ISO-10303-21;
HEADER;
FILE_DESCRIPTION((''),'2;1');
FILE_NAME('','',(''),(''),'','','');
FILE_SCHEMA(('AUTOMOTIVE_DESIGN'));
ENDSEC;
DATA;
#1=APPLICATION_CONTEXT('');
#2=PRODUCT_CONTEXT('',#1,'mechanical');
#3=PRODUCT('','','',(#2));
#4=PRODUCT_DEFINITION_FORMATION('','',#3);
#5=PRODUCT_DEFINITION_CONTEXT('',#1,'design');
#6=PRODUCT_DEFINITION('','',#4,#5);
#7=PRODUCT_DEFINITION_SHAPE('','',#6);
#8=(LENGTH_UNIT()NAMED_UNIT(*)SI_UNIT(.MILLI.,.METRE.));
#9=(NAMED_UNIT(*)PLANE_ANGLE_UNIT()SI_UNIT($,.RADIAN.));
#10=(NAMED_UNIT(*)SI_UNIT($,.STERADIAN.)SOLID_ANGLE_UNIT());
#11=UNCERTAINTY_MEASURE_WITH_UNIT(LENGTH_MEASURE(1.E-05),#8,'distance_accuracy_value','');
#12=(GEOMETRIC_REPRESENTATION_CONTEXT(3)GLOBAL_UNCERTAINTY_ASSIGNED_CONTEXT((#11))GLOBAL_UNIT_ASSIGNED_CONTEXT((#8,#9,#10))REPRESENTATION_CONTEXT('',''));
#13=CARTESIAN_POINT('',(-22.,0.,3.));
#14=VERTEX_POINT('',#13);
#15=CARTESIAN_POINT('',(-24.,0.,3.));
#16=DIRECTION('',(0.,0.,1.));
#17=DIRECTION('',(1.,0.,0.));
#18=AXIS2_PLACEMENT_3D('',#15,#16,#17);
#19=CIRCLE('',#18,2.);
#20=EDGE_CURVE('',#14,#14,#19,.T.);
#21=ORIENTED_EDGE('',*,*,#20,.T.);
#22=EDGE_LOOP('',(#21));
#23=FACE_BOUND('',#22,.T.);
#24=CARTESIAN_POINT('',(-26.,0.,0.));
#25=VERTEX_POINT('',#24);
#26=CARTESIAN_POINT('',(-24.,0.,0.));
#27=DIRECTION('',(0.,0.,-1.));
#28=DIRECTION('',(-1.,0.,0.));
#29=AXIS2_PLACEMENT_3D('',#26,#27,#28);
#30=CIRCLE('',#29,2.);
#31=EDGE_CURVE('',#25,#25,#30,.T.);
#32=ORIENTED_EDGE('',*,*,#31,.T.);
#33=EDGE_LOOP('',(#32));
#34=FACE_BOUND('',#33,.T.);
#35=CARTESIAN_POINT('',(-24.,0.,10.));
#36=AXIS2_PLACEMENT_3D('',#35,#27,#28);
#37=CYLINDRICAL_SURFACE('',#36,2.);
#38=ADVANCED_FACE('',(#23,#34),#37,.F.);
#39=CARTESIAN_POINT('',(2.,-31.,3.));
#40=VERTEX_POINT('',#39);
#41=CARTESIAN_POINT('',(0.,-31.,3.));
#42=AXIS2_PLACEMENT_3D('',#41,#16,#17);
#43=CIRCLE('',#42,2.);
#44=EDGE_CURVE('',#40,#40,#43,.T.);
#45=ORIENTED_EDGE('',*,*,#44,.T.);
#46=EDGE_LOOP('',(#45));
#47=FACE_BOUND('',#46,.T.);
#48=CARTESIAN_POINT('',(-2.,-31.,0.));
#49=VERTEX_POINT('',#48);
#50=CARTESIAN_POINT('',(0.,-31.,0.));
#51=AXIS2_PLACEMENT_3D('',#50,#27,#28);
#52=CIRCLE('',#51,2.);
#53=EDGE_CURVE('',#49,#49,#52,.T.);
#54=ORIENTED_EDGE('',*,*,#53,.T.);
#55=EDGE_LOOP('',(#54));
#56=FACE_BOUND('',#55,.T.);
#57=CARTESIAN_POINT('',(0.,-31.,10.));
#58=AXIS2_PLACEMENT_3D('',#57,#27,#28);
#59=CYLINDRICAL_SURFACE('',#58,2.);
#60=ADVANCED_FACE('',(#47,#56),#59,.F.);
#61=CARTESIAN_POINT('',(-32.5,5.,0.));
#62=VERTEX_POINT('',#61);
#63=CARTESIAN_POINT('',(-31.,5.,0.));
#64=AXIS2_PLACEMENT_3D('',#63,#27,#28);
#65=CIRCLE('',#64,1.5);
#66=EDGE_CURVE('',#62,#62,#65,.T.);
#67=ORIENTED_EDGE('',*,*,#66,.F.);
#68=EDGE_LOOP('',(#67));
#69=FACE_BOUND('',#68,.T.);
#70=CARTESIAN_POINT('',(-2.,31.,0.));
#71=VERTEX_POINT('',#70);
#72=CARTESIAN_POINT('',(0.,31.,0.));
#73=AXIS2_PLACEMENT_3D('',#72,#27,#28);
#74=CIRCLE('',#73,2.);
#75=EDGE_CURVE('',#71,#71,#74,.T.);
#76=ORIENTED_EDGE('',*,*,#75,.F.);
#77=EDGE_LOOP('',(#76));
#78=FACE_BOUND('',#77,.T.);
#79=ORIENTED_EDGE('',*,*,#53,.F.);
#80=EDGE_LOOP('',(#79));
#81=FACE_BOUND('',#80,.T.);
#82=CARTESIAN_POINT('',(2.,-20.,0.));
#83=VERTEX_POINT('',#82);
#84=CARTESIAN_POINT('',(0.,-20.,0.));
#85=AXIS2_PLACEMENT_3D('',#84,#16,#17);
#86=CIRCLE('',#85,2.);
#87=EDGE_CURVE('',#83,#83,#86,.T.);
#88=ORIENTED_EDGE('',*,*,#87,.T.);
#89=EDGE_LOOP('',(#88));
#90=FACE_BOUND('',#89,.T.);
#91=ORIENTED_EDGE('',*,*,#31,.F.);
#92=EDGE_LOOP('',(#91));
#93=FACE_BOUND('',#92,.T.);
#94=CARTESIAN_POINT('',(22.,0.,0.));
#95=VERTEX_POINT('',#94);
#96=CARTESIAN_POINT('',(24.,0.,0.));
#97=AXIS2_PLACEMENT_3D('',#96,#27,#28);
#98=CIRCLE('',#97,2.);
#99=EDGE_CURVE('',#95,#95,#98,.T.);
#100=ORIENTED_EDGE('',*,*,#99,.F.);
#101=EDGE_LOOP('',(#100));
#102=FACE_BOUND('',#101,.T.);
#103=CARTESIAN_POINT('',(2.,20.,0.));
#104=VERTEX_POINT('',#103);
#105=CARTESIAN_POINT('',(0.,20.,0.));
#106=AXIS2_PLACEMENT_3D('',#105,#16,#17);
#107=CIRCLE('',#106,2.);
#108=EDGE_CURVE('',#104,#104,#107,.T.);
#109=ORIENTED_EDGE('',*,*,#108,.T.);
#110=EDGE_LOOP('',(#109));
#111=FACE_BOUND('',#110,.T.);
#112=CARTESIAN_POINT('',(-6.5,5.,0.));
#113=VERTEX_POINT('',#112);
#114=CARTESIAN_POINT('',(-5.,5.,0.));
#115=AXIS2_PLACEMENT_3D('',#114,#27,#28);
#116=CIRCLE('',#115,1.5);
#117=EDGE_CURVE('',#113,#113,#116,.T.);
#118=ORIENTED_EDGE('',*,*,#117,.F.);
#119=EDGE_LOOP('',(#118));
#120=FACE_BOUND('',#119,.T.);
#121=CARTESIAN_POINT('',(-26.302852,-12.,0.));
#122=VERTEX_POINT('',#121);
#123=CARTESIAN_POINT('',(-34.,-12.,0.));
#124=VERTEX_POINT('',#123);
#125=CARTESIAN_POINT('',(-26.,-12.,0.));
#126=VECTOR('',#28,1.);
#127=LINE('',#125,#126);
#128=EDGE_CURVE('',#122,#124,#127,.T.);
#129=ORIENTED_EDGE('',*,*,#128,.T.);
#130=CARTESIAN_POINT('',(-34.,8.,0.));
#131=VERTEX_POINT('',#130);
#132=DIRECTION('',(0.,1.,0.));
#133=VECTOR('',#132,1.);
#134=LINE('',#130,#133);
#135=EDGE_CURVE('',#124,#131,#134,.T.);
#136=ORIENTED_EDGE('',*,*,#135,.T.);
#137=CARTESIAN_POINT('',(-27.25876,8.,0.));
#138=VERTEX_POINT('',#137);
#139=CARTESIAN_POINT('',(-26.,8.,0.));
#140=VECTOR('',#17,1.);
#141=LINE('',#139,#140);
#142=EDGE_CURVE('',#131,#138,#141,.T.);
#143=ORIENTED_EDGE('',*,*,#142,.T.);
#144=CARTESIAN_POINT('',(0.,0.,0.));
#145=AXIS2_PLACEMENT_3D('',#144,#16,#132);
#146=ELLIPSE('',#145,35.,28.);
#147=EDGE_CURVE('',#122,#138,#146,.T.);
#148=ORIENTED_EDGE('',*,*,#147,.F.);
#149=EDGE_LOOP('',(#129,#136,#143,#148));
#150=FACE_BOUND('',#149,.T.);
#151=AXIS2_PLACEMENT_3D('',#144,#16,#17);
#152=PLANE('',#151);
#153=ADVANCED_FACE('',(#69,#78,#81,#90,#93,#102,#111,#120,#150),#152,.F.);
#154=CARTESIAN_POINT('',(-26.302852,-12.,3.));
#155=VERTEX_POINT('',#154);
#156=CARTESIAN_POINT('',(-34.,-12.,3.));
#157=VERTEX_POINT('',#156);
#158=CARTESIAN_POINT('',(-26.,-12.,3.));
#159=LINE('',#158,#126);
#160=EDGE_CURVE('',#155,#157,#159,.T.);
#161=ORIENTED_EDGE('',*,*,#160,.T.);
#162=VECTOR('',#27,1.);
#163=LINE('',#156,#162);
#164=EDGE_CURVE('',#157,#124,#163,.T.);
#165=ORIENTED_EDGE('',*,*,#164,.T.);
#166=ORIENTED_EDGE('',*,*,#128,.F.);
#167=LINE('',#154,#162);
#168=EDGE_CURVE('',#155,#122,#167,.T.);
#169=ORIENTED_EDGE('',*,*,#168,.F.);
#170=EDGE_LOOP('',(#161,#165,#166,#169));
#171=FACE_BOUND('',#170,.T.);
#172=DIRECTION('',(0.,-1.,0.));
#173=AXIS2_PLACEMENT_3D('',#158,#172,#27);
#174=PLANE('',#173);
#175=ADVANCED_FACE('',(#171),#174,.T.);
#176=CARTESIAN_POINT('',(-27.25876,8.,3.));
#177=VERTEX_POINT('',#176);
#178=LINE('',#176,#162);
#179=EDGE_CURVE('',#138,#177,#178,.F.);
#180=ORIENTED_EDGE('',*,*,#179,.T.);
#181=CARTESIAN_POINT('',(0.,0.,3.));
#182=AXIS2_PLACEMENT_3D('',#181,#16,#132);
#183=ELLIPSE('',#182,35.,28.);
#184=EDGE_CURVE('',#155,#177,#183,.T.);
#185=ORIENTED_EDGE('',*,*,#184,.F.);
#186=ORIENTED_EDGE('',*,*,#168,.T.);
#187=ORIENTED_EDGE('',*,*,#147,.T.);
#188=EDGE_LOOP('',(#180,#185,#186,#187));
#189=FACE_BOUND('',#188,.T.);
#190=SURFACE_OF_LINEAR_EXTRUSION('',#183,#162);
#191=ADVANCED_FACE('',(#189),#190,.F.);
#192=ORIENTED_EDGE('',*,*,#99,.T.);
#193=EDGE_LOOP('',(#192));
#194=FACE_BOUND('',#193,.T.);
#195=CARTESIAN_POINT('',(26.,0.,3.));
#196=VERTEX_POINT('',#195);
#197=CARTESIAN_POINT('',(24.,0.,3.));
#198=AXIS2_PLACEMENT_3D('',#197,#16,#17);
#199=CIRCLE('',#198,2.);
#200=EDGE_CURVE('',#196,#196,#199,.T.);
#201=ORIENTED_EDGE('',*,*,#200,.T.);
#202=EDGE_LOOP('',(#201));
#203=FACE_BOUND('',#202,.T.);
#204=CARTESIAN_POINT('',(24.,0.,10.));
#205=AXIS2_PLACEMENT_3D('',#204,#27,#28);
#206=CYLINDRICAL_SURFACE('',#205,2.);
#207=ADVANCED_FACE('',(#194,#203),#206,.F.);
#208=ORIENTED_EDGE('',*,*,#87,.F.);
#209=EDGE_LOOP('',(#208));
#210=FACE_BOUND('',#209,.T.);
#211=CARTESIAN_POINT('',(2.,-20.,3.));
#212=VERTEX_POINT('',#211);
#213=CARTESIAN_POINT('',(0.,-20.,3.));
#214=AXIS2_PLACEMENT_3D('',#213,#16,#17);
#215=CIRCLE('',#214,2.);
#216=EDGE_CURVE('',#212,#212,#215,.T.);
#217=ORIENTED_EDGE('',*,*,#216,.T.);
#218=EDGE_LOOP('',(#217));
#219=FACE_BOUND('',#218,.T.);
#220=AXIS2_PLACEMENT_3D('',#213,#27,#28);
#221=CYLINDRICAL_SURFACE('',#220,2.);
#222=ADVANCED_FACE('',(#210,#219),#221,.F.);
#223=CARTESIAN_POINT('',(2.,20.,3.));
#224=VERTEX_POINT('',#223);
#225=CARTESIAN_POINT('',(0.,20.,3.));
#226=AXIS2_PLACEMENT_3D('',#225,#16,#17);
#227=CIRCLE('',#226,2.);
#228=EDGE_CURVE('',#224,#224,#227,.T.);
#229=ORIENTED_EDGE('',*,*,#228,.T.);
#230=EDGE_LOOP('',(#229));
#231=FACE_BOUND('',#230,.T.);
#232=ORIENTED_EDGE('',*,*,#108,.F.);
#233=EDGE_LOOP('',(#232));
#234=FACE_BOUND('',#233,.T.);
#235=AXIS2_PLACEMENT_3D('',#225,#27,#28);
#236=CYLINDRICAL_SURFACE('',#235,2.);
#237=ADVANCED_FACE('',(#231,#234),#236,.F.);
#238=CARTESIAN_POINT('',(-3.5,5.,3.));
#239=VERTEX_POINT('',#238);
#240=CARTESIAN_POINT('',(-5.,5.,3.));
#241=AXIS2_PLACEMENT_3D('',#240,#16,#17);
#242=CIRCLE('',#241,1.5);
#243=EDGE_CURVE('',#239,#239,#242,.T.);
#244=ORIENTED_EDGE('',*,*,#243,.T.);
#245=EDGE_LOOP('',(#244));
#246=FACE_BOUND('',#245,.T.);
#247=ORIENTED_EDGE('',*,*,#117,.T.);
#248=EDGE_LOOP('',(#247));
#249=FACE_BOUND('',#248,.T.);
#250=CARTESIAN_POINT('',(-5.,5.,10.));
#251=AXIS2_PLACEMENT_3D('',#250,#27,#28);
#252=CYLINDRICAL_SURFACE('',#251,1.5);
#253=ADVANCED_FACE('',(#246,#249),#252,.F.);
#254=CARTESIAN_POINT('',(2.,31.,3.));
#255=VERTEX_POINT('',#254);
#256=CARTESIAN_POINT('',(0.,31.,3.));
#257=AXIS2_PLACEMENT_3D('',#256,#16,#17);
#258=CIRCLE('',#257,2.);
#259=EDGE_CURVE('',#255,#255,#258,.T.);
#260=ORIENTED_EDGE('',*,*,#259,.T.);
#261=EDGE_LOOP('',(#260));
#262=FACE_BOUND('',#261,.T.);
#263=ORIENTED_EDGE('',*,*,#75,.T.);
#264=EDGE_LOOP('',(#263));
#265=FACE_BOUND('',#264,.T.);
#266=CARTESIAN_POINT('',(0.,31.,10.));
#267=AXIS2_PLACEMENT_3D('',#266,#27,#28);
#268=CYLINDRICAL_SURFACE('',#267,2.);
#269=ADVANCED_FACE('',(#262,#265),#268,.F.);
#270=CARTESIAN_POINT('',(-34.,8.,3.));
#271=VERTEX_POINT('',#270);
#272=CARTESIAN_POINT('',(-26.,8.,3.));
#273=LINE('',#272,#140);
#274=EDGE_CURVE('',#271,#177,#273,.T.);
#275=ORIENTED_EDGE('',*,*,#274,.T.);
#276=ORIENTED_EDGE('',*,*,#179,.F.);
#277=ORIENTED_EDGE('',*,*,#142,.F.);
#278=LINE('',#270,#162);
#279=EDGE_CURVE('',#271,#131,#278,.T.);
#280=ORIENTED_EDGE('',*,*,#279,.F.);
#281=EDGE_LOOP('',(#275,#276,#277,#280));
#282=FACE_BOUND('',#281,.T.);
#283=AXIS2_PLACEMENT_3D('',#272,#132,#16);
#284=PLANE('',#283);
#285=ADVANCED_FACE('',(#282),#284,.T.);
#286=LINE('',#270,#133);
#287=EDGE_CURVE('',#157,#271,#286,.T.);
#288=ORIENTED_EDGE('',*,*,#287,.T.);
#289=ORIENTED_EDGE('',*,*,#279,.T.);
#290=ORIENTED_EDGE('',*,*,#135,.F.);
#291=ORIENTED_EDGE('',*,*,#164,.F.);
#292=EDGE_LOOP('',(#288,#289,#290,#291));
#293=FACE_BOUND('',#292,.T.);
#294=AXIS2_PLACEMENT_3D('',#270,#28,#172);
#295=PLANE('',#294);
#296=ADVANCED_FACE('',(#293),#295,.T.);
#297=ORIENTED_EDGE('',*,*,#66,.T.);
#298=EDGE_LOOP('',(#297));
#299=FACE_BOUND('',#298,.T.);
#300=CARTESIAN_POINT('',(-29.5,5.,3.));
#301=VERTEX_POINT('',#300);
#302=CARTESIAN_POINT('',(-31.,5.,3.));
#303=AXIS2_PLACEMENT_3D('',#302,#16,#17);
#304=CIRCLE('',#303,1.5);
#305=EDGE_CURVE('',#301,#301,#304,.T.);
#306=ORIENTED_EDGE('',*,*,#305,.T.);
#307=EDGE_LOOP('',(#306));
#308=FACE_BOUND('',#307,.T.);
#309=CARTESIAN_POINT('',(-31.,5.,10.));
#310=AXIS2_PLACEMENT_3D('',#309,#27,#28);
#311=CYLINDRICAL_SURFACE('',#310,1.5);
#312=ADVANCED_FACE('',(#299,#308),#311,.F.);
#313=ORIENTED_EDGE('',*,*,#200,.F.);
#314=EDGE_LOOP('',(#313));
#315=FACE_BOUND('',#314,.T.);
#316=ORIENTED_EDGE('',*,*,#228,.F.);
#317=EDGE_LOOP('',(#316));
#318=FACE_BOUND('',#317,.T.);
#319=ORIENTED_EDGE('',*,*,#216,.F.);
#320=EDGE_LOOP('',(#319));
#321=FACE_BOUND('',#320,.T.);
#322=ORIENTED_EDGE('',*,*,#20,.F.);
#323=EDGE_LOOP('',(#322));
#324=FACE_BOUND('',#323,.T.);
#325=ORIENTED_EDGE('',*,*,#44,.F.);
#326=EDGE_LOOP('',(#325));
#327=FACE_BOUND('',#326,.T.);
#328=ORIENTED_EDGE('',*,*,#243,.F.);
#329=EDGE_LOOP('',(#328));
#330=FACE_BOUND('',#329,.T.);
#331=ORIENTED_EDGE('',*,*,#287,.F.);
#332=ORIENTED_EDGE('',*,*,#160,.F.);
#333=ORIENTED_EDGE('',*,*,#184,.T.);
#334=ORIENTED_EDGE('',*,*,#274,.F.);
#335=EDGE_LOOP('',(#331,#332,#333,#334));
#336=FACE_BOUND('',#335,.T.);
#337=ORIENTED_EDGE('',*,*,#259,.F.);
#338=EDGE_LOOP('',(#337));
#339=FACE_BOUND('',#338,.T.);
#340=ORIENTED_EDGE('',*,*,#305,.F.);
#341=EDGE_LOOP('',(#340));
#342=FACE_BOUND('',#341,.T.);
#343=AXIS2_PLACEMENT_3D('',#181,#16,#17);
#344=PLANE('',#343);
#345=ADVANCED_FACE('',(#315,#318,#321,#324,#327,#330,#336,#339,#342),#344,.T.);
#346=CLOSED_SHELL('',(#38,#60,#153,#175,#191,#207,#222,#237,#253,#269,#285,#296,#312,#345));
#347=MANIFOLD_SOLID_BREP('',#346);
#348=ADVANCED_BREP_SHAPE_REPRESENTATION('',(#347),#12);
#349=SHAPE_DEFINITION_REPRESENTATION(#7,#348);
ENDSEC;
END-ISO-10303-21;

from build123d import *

# Parameters (mm, degrees)
ESQUISSE1_RX            = 35
ESQUISSE1_RY            = 28
ESQUISSE1_R             = 2
BOSS_EXTRU_1_DEPTH      = 3
ESQUISSE2_R             = 2
ENL_V_MAT_EXTRU_1_DEPTH = 10
ESQUISSE4_W             = 8
ESQUISSE4_H             = 20
BOSS_EXTRU_2_DEPTH      = 3
ESQUISSE3_R             = 1.5
ENL_V_MAT_EXTRU_2_DEPTH = 10


with BuildPart() as part:
    # Esquisse1 → Boss.-Extru.1 (new body)
    with BuildSketch(Plane.XY):
        with Locations(Location((0, 0), (0, 0, 90))):
            Ellipse(ESQUISSE1_RX, ESQUISSE1_RY)
        with Locations((0, 20)):
            Circle(ESQUISSE1_R, mode=Mode.SUBTRACT)
        with Locations((0, -20)):
            Circle(ESQUISSE1_R, mode=Mode.SUBTRACT)
    extrude(amount=BOSS_EXTRU_1_DEPTH)

    # Esquisse2 → Enlèv. mat.-Extru.1 (cut)
    with BuildSketch(Plane(origin=(0, 0, 0), x_dir=(-1, 0, 0), z_dir=(0, 0, -1))):
        with Locations((24, 0)):
            Circle(ESQUISSE2_R)
        with Locations((-24, 0)):
            Circle(ESQUISSE2_R)
        with Locations((0, 31)):
            Circle(ESQUISSE2_R)
        with Locations((0, -31)):
            Circle(ESQUISSE2_R)
    extrude(amount=-ENL_V_MAT_EXTRU_1_DEPTH, mode=Mode.SUBTRACT)

    # Esquisse4 → Boss.-Extru.2 (add)
    with BuildSketch(Plane(origin=(0, 0, 0), x_dir=(-1, 0, 0), z_dir=(0, 0, -1))):
        with Locations((30, -2)):
            Rectangle(ESQUISSE4_W, ESQUISSE4_H)
    extrude(amount=-BOSS_EXTRU_2_DEPTH)

    # Esquisse3 → Enlèv. mat.-Extru.2 (cut)
    with BuildSketch(Plane(origin=(0, 0, 0), x_dir=(-1, 0, 0), z_dir=(0, 0, -1))):
        with Locations((5, 5)):
            Circle(ESQUISSE3_R)
        with Locations((31, 5)):
            Circle(ESQUISSE3_R)
    extrude(amount=-ENL_V_MAT_EXTRU_2_DEPTH, mode=Mode.SUBTRACT)


solid = part.part
